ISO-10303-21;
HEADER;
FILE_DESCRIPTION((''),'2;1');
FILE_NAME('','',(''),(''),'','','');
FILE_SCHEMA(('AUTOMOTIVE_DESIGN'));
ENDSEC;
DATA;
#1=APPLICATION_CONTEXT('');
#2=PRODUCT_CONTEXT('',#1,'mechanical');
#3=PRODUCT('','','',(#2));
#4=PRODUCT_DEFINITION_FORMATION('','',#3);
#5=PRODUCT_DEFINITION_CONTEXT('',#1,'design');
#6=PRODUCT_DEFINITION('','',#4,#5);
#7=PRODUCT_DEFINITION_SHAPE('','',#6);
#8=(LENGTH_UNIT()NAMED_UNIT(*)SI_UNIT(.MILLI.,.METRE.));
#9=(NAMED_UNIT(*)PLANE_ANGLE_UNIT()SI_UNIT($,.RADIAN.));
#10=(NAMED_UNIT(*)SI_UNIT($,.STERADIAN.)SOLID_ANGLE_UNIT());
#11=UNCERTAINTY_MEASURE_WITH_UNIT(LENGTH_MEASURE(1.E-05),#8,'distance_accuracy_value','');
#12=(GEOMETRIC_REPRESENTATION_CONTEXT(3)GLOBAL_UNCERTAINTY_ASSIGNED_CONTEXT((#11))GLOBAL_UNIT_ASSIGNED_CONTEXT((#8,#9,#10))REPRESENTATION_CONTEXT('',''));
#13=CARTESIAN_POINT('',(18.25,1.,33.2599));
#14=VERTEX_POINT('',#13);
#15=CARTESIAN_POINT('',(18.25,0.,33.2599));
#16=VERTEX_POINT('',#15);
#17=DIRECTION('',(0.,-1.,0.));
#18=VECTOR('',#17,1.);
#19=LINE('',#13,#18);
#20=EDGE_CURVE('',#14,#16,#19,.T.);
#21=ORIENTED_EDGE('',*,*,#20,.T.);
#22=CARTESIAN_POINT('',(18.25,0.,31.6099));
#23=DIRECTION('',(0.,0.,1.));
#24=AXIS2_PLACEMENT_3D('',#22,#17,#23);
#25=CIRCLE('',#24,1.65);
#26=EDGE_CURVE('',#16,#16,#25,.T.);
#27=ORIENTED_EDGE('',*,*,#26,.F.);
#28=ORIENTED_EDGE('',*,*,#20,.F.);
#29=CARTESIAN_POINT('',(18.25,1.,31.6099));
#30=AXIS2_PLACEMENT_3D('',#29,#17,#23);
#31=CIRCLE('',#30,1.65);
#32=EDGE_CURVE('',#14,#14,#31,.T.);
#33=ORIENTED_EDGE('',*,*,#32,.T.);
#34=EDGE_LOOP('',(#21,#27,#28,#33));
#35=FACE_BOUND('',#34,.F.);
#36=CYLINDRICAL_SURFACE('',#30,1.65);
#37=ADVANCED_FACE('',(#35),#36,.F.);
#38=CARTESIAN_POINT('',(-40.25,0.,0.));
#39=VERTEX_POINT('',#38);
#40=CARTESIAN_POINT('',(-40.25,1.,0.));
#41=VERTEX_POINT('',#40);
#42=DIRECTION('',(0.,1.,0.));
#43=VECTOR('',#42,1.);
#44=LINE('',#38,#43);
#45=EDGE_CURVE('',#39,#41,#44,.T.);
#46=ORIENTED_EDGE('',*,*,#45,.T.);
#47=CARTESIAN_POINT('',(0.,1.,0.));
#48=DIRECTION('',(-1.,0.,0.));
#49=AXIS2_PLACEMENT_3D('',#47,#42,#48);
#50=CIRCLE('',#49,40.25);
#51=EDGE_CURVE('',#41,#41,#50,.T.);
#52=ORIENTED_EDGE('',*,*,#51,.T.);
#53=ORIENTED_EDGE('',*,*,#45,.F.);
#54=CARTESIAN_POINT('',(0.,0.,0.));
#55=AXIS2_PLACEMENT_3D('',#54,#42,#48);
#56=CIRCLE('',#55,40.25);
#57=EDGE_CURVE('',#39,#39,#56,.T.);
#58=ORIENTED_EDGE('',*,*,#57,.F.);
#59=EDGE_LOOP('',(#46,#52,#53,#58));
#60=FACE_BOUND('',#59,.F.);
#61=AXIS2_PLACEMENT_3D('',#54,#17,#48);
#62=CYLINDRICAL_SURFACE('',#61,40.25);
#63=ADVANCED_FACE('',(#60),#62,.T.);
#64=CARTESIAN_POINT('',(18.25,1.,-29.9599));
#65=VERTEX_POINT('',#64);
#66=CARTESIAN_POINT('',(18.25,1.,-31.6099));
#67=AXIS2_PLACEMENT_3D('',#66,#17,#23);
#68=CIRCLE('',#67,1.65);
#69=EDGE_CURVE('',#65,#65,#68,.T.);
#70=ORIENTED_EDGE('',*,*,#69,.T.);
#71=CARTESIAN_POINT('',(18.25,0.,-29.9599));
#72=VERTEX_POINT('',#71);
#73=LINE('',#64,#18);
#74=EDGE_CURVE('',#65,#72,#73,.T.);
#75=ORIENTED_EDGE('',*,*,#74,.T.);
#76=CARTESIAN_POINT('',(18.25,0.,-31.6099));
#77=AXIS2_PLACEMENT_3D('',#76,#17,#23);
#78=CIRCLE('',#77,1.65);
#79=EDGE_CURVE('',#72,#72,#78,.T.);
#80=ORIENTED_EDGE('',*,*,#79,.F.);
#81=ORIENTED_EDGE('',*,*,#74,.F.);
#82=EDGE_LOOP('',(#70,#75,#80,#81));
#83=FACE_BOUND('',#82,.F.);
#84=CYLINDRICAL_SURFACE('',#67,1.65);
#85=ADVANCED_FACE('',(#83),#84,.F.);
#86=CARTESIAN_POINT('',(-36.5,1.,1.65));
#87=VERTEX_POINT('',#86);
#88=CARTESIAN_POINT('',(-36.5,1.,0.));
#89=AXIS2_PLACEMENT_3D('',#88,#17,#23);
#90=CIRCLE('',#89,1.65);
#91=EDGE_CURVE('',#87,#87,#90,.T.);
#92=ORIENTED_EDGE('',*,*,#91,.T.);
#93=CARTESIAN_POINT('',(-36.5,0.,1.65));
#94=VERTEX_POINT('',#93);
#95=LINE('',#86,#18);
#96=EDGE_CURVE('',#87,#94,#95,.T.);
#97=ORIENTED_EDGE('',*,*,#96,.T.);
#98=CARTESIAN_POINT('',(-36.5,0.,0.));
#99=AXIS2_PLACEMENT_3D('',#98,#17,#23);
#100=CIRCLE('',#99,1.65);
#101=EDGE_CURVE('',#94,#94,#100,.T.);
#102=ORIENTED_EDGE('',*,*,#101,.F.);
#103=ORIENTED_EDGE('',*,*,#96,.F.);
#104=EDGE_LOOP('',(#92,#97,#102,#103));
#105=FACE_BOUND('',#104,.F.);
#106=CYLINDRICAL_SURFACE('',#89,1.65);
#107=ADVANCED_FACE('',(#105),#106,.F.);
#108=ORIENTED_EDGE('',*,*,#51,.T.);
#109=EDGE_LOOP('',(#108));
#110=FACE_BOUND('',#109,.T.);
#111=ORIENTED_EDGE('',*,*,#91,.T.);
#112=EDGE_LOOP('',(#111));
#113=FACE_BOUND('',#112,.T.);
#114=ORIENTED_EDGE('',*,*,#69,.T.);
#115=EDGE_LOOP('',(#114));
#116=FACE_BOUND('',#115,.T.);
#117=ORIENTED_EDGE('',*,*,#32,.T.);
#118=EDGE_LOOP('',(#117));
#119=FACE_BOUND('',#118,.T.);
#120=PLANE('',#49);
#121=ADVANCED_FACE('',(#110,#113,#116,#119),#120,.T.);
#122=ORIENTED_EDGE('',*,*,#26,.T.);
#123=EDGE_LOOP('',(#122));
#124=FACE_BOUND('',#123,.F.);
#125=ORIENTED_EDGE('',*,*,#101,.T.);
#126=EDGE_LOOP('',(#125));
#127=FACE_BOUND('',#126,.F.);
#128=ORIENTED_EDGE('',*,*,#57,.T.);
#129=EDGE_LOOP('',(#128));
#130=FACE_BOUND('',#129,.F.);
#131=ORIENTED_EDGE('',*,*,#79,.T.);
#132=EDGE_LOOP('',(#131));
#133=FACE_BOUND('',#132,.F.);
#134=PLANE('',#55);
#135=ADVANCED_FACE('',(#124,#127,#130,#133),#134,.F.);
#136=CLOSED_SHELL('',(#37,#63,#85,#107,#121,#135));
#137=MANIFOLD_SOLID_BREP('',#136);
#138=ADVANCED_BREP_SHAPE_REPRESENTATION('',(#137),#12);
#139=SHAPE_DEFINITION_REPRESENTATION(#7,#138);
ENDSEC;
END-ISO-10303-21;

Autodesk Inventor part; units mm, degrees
ref_plane "YZ Plane" through (0, 0, 0) normal (1, 0, 0) x (0, 1, 0)
ref_plane "XZ Plane" through (0, 0, 0) normal (0, 1, 0) x (-1, 0, 0)
ref_plane "XY Plane" through (0, 0, 0) normal (0, 0, 1) x (1, 0, 0)
sketch "スケッチ1" plane through (0, 0, 0) normal (0, 1, 0) x (-1, 0, 0)
  circle A0 centre (0, 0) radius 40.25
  dimension "d0" = 80.5
extrude "押し出し1" add sketch "スケッチ1" along normal blind 1
sketch "スケッチ2" plane through (0, 1, 0) normal (0, 1, 0) x (1, 0, 0)
  circle A0 centre (0, 0) radius 36.5
  point P0 (-36.5, 0)
  point P1 (18.25, -31.6099)
  point P2 (18.25, 31.6099)
  dimension "d3" = 73
  dimension "d6" = 360
hole "穴1" at (-36.5, 1, 0) at (18.25, 1, 31.6099) at (18.25, 1, -31.6099) direction (0, -1, 0) diameter 3.3 end through all
properties part number "basespacer2"
